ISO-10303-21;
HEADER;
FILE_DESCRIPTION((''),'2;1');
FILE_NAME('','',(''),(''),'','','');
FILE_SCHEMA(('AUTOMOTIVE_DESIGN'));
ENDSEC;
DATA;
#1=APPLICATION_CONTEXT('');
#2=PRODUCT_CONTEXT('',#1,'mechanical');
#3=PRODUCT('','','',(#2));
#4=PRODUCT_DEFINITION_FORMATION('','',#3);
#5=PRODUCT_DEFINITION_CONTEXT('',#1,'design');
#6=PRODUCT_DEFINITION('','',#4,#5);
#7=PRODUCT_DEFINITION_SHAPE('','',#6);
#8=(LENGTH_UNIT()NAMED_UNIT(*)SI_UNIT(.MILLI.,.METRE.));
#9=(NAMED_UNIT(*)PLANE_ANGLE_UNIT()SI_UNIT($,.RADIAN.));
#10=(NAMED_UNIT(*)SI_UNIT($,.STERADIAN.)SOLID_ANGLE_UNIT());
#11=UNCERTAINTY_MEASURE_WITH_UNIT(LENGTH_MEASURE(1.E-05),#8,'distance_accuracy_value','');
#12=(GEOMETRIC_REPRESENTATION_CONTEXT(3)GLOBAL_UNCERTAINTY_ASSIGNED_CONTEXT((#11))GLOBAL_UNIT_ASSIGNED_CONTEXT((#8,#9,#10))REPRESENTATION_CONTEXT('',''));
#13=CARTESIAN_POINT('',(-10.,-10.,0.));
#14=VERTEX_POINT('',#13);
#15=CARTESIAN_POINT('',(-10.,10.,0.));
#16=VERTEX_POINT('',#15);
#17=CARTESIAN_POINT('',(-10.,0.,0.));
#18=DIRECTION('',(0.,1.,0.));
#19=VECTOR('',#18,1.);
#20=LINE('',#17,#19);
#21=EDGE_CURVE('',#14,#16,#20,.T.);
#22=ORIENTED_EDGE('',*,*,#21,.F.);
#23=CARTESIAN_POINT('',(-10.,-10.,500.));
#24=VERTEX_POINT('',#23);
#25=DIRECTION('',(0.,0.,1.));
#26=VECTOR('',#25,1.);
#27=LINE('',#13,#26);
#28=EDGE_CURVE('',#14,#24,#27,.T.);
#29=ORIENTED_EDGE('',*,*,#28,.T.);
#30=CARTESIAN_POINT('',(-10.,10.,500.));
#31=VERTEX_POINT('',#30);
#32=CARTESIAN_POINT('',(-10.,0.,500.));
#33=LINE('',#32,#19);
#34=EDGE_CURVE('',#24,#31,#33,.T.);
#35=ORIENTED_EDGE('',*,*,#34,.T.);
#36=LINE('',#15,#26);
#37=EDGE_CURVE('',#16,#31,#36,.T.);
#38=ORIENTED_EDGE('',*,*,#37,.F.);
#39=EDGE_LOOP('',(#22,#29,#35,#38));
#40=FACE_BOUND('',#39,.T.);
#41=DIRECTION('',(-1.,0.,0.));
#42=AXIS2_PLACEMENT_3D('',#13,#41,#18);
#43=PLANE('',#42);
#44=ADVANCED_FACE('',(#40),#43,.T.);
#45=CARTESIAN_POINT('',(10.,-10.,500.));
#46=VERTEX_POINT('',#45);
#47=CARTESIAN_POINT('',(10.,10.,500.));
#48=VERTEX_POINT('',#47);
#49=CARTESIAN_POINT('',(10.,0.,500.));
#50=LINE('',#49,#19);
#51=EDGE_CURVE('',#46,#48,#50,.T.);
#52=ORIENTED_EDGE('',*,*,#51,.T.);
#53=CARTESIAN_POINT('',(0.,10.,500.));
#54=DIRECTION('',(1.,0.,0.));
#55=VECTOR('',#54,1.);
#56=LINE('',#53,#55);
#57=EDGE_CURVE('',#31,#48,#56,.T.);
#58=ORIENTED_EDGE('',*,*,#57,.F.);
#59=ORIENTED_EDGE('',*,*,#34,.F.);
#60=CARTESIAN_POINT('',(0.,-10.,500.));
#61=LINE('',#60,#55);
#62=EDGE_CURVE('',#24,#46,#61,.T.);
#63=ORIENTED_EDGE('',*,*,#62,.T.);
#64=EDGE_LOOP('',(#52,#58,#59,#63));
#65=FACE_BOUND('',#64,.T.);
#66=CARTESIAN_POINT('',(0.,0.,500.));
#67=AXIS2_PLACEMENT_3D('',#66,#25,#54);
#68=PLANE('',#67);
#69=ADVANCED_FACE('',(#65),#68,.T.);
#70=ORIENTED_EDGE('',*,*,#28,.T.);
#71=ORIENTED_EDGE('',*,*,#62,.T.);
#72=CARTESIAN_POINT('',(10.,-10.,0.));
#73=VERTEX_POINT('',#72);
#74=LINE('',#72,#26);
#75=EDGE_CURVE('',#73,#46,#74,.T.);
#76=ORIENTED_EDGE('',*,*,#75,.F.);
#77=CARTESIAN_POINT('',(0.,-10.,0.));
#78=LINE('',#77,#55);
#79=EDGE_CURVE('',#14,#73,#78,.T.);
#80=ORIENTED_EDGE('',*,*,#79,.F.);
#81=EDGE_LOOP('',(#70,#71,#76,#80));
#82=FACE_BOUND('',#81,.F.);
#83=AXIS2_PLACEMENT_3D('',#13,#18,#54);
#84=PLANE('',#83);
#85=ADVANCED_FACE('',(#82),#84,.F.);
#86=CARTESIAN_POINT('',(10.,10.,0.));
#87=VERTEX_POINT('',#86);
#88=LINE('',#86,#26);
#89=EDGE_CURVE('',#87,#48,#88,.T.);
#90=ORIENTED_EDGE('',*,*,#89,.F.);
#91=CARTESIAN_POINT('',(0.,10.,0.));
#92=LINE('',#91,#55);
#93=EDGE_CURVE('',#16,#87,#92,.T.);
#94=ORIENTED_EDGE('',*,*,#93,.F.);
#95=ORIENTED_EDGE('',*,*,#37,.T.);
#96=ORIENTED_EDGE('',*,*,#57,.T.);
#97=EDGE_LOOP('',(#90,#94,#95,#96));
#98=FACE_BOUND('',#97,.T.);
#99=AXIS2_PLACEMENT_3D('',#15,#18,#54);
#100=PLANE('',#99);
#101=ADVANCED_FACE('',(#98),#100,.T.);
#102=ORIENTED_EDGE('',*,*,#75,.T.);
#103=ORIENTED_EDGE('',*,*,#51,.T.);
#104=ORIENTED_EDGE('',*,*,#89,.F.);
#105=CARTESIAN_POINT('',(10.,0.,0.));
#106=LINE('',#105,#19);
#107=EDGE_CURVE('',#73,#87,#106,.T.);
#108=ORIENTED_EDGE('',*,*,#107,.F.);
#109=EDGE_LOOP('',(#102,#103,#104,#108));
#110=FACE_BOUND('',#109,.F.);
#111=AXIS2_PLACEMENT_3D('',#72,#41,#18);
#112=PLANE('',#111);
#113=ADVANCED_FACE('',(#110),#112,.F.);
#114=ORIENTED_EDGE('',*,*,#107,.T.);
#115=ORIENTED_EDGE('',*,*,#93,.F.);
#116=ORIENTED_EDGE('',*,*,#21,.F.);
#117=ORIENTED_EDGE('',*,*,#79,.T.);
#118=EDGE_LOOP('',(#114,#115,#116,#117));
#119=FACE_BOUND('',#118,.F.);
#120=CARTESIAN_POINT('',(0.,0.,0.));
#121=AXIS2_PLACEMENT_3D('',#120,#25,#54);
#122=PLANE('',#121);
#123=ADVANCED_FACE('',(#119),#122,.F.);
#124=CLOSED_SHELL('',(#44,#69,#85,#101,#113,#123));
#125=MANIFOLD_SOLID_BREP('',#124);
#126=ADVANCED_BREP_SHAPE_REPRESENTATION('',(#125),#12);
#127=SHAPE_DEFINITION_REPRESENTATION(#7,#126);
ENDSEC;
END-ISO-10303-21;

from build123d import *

# Parameters (mm, degrees)
SKETCH_1_W      = 20
SKETCH_1_H      = 20
EXTRUDE_1_DEPTH = 500


with BuildPart() as part:
    # 草图1 → 凸台-拉伸1 (new body)
    with BuildSketch(Plane.XY):
        Rectangle(SKETCH_1_W, SKETCH_1_H)
    extrude(amount=EXTRUDE_1_DEPTH)


solid = part.part
